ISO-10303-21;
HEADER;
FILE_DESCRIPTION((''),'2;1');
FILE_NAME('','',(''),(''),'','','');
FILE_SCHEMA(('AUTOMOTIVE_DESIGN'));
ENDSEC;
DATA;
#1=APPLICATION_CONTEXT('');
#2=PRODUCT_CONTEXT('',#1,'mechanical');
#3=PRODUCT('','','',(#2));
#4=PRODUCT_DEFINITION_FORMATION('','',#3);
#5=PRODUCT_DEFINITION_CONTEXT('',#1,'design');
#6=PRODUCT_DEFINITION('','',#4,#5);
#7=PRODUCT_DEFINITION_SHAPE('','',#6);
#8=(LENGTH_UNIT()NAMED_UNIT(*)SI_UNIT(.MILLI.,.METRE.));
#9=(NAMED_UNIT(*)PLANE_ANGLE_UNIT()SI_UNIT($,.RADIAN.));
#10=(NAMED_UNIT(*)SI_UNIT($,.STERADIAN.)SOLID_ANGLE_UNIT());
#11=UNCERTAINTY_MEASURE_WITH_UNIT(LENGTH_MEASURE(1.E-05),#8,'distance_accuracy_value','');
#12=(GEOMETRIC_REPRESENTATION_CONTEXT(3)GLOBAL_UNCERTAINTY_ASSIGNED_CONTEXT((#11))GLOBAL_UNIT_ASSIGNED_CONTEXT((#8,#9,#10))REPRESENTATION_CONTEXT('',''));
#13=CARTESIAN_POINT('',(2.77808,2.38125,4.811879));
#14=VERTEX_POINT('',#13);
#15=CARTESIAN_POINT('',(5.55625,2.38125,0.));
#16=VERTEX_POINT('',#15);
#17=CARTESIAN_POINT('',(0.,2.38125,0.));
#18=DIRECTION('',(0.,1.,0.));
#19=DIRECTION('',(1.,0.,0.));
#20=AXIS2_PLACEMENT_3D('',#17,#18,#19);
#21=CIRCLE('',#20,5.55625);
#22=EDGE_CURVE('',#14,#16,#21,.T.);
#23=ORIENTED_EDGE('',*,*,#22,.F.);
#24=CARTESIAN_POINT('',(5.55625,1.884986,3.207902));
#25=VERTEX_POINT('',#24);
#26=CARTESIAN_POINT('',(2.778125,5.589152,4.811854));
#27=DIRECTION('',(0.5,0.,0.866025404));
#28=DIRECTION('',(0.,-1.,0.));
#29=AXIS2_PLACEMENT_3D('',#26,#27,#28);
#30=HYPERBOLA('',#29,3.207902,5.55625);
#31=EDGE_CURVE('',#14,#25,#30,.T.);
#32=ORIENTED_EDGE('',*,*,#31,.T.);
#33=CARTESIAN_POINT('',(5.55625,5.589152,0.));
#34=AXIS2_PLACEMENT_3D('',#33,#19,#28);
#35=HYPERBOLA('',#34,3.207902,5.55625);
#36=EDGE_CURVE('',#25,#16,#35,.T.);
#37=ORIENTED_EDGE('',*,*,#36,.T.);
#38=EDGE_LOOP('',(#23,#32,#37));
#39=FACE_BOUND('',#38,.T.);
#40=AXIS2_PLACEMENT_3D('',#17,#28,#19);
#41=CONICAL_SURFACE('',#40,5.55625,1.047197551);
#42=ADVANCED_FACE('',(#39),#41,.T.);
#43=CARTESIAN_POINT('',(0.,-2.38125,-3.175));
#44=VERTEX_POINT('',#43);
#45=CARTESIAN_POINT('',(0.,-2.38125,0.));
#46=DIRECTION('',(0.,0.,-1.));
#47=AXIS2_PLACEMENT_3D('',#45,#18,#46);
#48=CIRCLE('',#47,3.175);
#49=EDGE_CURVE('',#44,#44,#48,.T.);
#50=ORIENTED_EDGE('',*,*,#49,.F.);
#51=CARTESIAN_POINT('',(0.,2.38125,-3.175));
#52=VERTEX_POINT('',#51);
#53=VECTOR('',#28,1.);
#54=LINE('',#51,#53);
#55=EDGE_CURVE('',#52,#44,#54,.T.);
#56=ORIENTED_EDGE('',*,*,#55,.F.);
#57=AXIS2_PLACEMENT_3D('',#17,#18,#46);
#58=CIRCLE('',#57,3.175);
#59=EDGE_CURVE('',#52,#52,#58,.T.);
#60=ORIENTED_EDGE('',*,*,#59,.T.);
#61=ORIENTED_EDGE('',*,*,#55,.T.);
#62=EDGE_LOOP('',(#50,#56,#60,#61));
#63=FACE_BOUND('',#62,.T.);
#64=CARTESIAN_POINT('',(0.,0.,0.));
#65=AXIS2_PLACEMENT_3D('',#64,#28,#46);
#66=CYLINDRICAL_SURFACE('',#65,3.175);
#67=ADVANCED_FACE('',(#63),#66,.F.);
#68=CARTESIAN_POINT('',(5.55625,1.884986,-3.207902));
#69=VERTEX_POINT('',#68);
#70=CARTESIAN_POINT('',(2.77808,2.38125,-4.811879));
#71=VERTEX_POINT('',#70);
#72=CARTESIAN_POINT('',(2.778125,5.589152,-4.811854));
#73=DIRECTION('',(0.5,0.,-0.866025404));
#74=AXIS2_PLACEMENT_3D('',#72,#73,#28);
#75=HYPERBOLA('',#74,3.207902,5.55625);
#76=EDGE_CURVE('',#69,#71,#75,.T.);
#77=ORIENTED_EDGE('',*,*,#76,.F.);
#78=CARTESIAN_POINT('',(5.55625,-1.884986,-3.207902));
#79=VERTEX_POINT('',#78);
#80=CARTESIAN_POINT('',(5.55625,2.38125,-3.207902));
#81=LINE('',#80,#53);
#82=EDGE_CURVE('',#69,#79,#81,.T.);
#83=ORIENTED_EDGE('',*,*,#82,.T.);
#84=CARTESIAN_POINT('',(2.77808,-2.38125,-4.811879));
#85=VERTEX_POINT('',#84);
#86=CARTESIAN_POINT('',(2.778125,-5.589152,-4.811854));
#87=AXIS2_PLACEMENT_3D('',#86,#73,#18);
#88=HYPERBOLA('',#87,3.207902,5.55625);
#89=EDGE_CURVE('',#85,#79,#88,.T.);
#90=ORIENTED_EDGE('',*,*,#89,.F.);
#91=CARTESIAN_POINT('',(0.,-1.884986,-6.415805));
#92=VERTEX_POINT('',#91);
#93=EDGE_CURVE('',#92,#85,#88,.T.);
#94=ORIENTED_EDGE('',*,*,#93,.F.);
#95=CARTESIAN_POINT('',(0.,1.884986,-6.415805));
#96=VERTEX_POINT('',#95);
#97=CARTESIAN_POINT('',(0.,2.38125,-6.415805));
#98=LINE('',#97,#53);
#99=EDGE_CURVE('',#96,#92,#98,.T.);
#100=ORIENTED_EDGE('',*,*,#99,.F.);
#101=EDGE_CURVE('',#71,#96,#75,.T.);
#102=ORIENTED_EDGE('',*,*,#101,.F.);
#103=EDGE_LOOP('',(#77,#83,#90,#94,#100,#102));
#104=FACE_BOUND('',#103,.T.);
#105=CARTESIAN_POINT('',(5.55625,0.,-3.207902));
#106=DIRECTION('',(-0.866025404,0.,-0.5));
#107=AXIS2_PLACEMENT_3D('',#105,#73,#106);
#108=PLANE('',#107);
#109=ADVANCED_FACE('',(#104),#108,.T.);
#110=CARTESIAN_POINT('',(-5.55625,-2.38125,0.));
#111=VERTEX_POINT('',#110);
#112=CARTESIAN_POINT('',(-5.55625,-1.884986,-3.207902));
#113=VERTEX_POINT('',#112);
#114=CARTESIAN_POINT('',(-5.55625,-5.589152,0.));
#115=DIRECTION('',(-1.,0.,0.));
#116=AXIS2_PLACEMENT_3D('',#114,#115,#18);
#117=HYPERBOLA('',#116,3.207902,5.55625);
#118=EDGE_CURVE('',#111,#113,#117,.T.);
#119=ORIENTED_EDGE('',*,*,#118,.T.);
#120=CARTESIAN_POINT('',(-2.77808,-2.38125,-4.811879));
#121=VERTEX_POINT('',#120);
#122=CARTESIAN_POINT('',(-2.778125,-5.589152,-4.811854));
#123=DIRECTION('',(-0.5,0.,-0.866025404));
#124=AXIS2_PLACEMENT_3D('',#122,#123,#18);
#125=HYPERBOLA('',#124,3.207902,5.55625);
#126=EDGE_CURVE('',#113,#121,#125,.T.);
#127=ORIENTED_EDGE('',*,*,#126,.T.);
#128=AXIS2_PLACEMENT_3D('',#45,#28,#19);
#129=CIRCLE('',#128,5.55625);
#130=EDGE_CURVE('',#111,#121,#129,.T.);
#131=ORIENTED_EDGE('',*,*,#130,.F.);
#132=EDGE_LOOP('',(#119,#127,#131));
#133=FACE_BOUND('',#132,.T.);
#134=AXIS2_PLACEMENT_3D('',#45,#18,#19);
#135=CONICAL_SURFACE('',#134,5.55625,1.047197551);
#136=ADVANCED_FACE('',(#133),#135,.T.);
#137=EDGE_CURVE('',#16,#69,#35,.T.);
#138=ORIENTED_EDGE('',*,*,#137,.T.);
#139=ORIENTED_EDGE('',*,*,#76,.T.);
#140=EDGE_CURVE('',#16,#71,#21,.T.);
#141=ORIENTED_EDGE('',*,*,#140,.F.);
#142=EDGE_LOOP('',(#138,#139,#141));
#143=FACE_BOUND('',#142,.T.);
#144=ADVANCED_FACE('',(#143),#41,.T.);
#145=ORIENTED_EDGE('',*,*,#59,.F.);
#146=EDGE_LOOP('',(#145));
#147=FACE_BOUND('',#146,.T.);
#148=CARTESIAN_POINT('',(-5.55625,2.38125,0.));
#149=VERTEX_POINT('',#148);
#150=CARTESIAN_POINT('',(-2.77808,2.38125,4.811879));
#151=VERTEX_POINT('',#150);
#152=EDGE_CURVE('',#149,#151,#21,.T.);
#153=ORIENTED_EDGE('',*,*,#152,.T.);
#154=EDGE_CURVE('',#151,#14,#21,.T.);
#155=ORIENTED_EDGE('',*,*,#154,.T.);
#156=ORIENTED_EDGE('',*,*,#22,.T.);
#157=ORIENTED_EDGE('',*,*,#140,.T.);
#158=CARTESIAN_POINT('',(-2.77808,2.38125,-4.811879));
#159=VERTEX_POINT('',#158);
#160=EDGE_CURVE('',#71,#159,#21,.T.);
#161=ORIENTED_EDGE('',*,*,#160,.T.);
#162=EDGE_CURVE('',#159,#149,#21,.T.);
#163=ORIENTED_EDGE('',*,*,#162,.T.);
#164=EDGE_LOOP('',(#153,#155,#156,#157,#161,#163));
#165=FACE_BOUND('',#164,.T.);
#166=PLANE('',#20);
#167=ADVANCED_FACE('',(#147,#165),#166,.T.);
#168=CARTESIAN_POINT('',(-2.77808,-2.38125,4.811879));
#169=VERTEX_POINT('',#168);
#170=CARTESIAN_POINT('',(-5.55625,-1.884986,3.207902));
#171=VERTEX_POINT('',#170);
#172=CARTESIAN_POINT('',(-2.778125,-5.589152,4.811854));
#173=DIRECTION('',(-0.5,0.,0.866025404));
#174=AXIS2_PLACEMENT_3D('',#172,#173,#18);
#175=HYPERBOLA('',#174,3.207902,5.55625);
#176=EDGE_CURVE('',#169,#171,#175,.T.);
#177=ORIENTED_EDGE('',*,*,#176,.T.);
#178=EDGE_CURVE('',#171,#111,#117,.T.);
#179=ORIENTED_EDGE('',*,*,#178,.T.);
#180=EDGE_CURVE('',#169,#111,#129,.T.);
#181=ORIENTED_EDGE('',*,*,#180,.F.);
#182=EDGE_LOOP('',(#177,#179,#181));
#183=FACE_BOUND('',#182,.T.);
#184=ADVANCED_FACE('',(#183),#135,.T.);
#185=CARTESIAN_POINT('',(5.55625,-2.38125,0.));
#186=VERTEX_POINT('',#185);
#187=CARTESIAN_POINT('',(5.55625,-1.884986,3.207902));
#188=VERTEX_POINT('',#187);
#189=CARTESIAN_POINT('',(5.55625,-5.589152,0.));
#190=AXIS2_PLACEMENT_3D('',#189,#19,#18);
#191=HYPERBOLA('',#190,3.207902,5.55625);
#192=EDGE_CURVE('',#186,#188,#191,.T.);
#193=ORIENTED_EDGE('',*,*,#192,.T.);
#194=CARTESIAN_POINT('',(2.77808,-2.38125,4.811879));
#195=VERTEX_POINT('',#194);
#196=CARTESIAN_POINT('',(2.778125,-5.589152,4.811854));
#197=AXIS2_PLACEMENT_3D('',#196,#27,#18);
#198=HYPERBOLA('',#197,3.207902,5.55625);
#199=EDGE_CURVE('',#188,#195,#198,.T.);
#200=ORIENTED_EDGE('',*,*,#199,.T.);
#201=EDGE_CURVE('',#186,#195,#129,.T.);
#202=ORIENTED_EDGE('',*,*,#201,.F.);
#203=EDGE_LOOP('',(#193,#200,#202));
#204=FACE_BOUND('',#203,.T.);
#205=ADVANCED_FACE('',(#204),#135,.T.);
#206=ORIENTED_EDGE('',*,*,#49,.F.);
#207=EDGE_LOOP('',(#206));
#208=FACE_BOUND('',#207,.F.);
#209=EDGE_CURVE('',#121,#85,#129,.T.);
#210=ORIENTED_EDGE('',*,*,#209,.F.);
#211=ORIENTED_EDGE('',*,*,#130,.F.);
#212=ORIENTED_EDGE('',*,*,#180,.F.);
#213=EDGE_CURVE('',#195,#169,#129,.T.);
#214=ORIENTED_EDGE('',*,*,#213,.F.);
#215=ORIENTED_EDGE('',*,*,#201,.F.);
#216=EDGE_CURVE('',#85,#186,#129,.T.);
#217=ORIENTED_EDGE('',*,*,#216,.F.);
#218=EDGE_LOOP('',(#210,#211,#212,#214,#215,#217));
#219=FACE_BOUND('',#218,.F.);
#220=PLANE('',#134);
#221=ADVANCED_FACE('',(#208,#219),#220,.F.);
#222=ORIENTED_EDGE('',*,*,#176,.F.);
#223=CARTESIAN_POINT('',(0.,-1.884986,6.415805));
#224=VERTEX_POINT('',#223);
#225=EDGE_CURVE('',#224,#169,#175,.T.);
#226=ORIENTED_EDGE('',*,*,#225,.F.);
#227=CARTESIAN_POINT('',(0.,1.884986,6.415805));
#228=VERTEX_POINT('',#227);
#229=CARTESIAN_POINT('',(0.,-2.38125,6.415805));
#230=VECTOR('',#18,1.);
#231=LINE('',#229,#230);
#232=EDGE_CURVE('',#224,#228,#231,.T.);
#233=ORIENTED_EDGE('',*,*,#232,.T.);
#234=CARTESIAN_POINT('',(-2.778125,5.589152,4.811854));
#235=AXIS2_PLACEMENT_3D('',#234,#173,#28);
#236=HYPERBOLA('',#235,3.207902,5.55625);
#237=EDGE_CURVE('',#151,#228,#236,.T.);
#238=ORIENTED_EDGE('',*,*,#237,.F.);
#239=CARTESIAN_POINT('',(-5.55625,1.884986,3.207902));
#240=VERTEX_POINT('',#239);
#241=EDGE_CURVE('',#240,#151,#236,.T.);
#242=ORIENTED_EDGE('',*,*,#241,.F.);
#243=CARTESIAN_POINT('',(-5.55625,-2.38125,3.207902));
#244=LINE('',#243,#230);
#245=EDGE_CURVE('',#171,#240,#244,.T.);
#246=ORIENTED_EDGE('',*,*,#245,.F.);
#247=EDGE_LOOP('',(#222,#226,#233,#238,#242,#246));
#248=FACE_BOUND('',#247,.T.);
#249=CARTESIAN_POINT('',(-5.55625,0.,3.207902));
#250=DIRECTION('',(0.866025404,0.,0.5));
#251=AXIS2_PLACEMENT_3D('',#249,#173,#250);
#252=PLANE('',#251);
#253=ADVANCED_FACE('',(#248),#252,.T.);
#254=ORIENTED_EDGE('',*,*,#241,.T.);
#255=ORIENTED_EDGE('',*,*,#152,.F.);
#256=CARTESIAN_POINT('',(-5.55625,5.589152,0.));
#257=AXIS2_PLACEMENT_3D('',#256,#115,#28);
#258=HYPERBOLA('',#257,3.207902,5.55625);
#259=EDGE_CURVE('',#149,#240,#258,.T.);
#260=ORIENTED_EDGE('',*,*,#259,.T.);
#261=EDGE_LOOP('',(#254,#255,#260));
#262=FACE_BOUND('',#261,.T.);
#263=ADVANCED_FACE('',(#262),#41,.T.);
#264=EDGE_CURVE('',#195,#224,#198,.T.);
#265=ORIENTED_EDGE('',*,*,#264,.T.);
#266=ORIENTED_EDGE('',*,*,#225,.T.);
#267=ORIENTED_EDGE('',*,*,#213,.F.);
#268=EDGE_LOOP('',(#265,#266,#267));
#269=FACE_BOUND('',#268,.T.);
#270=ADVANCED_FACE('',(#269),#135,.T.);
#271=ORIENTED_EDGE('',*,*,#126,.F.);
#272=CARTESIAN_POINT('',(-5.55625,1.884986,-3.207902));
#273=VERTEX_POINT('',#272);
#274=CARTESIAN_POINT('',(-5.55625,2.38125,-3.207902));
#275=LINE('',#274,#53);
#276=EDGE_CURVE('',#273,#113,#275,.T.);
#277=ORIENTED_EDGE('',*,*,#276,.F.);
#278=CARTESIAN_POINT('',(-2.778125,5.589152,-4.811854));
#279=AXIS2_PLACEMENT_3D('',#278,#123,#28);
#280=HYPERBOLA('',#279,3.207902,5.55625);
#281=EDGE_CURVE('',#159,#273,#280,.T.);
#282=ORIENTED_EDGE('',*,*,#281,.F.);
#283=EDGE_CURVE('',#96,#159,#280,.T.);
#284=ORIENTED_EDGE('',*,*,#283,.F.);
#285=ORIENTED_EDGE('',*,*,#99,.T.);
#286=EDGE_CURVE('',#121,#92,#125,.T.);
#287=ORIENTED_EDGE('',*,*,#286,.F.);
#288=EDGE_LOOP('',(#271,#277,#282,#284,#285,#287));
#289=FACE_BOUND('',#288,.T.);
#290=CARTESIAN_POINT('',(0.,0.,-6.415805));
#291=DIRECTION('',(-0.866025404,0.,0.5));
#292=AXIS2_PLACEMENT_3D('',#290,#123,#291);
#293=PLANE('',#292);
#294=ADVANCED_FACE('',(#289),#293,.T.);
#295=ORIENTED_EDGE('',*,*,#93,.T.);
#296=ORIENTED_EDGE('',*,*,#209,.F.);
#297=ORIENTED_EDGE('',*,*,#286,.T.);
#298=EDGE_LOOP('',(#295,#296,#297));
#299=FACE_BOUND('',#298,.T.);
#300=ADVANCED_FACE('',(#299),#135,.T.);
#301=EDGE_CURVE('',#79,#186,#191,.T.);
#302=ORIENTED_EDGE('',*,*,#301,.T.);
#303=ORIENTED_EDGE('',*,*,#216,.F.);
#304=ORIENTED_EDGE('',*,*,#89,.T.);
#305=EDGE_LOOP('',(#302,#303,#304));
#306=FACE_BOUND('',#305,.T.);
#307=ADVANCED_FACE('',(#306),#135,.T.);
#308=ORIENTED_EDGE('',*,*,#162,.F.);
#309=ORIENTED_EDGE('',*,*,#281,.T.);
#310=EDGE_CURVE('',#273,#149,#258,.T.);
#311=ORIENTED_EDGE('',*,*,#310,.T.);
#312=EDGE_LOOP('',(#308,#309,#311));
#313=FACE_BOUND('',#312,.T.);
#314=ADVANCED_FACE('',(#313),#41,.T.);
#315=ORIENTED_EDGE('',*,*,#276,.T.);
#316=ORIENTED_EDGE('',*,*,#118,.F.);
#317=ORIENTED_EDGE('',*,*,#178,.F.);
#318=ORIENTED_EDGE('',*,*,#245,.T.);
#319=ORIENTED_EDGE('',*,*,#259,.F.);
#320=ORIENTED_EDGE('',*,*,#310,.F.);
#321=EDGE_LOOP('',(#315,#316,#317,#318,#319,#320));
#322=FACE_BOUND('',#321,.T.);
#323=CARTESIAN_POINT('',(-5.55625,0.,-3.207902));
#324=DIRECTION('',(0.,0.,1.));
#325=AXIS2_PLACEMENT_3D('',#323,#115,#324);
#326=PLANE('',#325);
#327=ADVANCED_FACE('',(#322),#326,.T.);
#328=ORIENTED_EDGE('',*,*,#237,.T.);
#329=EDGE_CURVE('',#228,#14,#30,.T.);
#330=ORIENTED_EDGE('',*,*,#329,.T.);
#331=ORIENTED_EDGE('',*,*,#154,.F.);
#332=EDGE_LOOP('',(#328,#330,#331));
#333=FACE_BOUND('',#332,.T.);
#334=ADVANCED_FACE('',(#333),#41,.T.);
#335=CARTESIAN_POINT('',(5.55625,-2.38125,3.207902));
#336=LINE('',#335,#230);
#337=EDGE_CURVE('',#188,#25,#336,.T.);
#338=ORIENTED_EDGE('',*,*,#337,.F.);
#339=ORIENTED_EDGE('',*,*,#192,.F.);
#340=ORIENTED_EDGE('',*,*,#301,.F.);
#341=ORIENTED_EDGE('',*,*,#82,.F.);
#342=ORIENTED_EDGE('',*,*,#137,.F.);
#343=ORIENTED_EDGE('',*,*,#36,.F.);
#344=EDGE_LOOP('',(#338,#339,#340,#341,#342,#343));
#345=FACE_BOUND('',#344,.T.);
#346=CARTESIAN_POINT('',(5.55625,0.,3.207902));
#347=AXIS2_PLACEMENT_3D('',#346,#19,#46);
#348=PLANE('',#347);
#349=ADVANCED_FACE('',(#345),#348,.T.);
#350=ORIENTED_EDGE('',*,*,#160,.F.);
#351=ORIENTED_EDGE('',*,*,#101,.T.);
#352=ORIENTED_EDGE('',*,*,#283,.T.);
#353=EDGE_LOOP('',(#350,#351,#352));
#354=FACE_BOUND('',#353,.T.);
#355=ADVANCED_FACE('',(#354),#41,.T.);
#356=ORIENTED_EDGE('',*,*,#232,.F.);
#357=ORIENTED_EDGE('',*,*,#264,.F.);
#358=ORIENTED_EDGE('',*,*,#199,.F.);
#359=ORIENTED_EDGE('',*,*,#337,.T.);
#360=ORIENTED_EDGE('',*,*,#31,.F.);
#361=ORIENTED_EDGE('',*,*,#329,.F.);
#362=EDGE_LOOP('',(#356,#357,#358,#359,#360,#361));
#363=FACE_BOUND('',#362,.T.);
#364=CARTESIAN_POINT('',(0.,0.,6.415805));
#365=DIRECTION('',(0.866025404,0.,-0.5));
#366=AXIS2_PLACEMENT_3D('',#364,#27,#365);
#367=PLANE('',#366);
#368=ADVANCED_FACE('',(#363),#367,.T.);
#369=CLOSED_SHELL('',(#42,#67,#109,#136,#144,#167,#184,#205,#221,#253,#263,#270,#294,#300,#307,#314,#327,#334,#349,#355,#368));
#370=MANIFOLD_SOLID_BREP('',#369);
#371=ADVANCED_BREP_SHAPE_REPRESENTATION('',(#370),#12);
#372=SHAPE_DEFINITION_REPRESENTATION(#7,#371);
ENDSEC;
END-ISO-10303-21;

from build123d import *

# Parameters (mm, degrees)
SKETCH1_R               = 3.175
BOSS_EXTRUDE1_DEPTH     = 2.38125
SKETCH5_OUTSIDE_W       = 53.816
SKETCH5_OUTSIDE_H       = 55.536
SKETCH5_OUTSIDE_R       = 5.55625
CUT_EXTRUDE2_DEPTH      = 10.732207992
CUT_EXTRUDE2_DRAFT      = -60
MIRROR1_COPY_1_SKETCH_W = 53.816
MIRROR1_COPY_1_SKETCH_H = 55.536
MIRROR1_COPY_1_SKETCH_R = 5.55625
MIRROR1_COPY_1_DEPTH    = 10.732207992
MIRROR1_COPY_1_DRAFT    = -60


with BuildPart() as part:
    # Sketch1 → Boss-Extrude1 (new, symmetric)
    with BuildSketch(Plane(origin=(0, 0, 0), x_dir=(1, 0, 0), z_dir=(0, 1, 0))):
        Polygon((-5.55625, 3.207902433), (-5.55625, -3.207902433), (0, -6.415804866), (5.55625, -3.207902433), (5.55625, 3.207902433), (0, 6.415804866), align=None)
        Circle(SKETCH1_R, mode=Mode.SUBTRACT)
    extrude(amount=BOSS_EXTRUDE1_DEPTH, both=True)


with BuildPart() as cut_extrude2_tool:
    # Sketch5 outside → Cut-Extrude2 (with draft: the straight prism first)
    with BuildSketch(Plane(origin=(0, 2.38125, 0), x_dir=(1, 0, 0), z_dir=(0, 1, 0))):
        Rectangle(SKETCH5_OUTSIDE_W, SKETCH5_OUTSIDE_H)
        Circle(SKETCH5_OUTSIDE_R, mode=Mode.SUBTRACT)
    extrude(amount=-CUT_EXTRUDE2_DEPTH)
    # Cut-Extrude2: the draft: its side faces are tilted about the plane it starts from
    cut_extrude2_sides = [cut_extrude2_tool.faces().sort_by_distance(p)[0] for p in [
        (0, -2.984853996, 27.768),
        (26.908, -2.984853996, 0),
        (0, -2.984853996, -27.768),
        (-26.908, -2.984853996, 0),
        (-5.55625, -2.984853996, 0),
    ]]
    draft(cut_extrude2_sides, Plane(origin=(0, 2.38125, 0), x_dir=(1, 0, 0), z_dir=(0, 1, 0)), CUT_EXTRUDE2_DRAFT)


with BuildPart() as part_1:
    add(part.part)

    # Cut-Extrude2: cut by cut_extrude2_tool
    add(cut_extrude2_tool.part, mode=Mode.SUBTRACT)


with BuildPart() as mirror1_copy_1_tool:
    # Mirror1 copy 1 sketch → Mirror1 copy 1 (with draft: the straight prism first)
    with BuildSketch(Plane.XZ.offset(2.38125)):
        Rectangle(MIRROR1_COPY_1_SKETCH_W, MIRROR1_COPY_1_SKETCH_H)
        Circle(MIRROR1_COPY_1_SKETCH_R, mode=Mode.SUBTRACT)
    extrude(amount=-MIRROR1_COPY_1_DEPTH)
    # Mirror1 copy 1: the draft: its side faces are tilted about the plane it starts from
    mirror1_copy_1_sides = [mirror1_copy_1_tool.faces().sort_by_distance(p)[0] for p in [
        (0, 2.984853996, 27.768),
        (26.908, 2.984853996, 0),
        (0, 2.984853996, -27.768),
        (-26.908, 2.984853996, 0),
        (-5.55625, 2.984853996, 0),
    ]]
    draft(mirror1_copy_1_sides, Plane.XZ.offset(2.38125), MIRROR1_COPY_1_DRAFT)


with BuildPart() as part_2:
    add(part_1.part)

    # Mirror1 copy 1: cut by mirror1_copy_1_tool
    add(mirror1_copy_1_tool.part, mode=Mode.SUBTRACT)


solid = part_2.part
